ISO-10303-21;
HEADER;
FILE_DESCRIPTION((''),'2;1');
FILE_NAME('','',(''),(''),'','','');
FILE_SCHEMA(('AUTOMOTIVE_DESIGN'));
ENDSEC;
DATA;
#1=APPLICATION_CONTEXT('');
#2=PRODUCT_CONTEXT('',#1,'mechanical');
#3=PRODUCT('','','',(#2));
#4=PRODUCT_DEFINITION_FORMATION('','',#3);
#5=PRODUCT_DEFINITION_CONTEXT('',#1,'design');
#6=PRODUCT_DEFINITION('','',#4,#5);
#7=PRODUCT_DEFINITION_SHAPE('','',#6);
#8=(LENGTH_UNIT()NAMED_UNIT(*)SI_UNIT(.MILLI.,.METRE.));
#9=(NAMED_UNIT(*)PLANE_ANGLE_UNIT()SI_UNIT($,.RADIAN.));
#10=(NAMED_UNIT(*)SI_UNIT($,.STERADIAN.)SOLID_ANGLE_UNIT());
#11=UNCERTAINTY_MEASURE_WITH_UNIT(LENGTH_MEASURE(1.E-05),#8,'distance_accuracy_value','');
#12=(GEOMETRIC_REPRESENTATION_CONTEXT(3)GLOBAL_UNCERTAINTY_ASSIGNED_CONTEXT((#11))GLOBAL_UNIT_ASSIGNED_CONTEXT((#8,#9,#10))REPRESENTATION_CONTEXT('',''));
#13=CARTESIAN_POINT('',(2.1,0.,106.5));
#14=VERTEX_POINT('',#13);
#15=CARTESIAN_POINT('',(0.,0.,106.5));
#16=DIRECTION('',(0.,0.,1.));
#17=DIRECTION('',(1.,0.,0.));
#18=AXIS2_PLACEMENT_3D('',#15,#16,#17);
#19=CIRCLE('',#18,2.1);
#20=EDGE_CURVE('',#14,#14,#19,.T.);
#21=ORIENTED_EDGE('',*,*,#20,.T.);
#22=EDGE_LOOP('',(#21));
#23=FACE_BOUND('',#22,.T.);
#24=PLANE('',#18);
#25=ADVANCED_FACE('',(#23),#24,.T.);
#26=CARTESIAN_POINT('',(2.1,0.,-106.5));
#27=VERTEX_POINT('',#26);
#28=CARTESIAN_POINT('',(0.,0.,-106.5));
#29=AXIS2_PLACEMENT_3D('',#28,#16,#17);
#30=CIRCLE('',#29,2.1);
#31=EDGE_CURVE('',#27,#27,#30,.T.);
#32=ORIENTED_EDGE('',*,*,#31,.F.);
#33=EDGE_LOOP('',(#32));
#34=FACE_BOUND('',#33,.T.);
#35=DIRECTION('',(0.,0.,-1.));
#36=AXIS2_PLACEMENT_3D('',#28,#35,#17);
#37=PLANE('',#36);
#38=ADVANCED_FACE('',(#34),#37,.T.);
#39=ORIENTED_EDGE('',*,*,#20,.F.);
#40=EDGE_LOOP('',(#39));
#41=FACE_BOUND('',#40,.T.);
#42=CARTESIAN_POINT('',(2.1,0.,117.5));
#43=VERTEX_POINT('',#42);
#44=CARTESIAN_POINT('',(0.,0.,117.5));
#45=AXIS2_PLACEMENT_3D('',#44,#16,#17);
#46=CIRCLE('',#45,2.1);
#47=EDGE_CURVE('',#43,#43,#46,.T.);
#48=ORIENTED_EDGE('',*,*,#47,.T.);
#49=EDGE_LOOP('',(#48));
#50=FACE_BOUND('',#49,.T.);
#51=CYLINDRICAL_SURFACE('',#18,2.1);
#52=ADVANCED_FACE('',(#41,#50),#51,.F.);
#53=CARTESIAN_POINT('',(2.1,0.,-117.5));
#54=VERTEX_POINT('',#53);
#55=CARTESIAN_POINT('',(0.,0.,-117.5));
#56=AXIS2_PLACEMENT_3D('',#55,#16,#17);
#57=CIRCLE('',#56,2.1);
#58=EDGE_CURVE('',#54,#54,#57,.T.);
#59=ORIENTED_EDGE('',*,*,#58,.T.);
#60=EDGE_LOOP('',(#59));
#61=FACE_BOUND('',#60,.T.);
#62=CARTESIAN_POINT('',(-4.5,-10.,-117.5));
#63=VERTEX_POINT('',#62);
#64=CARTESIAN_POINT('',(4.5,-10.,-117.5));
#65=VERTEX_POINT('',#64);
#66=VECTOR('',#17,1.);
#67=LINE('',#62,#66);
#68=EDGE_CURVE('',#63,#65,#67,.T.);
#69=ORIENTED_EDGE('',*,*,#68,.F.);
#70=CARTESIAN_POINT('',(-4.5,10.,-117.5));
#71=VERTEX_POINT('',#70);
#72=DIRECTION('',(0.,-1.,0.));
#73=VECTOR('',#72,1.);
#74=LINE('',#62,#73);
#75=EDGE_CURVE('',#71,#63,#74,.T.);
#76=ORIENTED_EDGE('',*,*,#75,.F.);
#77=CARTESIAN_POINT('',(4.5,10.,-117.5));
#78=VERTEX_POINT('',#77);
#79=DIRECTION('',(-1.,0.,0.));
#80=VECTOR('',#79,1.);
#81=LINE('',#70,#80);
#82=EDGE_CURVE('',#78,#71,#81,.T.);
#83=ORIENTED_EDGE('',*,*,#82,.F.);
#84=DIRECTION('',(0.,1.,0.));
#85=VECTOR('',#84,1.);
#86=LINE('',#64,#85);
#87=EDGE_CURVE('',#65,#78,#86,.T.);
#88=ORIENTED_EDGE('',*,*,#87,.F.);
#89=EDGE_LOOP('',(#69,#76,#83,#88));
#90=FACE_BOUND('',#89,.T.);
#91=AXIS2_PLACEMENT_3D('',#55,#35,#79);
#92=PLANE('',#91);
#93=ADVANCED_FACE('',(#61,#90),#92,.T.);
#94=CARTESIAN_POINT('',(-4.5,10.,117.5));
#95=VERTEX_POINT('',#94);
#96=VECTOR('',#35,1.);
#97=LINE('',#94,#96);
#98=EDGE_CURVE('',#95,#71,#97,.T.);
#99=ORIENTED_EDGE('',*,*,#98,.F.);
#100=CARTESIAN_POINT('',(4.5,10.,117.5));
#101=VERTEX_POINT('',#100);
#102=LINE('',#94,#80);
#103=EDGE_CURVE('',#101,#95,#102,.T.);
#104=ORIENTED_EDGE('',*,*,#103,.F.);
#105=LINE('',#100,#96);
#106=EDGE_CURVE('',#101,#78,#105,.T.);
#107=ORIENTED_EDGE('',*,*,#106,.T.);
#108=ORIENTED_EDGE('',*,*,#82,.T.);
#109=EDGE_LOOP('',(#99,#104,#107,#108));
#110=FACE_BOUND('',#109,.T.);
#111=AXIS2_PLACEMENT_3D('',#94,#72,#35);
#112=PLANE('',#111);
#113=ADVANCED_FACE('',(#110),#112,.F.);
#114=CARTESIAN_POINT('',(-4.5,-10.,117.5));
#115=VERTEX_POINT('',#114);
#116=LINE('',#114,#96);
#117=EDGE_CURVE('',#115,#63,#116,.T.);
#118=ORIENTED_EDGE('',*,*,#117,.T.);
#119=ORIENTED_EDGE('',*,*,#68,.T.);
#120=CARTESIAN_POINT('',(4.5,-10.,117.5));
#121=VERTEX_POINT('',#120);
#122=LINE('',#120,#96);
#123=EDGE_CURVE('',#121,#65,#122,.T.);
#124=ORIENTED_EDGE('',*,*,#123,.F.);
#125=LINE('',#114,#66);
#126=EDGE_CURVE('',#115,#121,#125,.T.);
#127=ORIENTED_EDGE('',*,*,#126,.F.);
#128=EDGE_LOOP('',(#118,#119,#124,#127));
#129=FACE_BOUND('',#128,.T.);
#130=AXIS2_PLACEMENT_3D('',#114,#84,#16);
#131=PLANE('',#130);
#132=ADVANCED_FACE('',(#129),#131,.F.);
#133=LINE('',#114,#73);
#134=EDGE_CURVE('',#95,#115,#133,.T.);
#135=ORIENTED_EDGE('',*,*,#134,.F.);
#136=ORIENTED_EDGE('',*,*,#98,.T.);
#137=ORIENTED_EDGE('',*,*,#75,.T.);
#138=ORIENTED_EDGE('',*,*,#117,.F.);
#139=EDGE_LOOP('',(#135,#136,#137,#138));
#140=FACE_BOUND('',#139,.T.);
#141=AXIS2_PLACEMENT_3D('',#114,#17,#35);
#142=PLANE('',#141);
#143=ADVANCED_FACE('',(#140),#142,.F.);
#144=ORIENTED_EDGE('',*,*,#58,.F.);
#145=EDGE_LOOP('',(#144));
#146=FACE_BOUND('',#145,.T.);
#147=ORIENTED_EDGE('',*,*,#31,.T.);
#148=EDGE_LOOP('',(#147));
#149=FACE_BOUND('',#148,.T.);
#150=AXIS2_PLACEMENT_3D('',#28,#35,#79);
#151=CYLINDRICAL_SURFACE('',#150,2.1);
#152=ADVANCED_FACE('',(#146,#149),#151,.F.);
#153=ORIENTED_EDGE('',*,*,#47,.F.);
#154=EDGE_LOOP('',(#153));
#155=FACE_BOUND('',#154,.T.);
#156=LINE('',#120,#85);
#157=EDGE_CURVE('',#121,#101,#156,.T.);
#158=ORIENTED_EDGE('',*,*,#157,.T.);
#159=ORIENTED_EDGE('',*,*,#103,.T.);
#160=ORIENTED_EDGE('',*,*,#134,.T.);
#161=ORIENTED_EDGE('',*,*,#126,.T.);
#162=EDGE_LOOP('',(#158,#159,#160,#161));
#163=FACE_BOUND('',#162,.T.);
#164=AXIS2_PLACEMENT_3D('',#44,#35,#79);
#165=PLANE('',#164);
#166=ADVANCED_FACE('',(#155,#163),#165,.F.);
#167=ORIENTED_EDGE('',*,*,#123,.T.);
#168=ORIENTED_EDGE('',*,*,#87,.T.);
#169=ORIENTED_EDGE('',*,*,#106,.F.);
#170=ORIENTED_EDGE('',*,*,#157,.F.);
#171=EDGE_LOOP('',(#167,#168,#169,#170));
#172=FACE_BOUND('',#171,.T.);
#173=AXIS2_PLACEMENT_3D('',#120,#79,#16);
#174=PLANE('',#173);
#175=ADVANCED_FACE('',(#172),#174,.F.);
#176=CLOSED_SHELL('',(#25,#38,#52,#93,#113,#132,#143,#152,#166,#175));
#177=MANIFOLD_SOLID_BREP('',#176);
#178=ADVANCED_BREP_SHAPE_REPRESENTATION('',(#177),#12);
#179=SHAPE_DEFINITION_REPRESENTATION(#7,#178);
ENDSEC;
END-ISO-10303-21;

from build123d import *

# Parameters (mm, degrees)
SKETCH1_W           = 9
SKETCH1_H           = 20
BOSS_EXTRUDE1_DEPTH = 117.5
SKETCH2_R           = 2.1
CUT_EXTRUDE1_DEPTH  = 11


with BuildPart() as part:
    # Sketch1 → Boss-Extrude1 (new body, symmetric)
    with BuildSketch(Plane.XY):
        Rectangle(SKETCH1_W, SKETCH1_H)
    extrude(amount=BOSS_EXTRUDE1_DEPTH, both=True)

    # Sketch2 → Cut-Extrude1 (cut)
    with BuildSketch(Plane.XY.offset(117.5)):
        Circle(SKETCH2_R)
    cut_extrude1 = extrude(amount=-CUT_EXTRUDE1_DEPTH, mode=Mode.SUBTRACT)

    # Mirror1: Cut-Extrude1 across plane
    add(cut_extrude1.mirror(Plane.XY), mode=Mode.SUBTRACT)


solid = part.part
